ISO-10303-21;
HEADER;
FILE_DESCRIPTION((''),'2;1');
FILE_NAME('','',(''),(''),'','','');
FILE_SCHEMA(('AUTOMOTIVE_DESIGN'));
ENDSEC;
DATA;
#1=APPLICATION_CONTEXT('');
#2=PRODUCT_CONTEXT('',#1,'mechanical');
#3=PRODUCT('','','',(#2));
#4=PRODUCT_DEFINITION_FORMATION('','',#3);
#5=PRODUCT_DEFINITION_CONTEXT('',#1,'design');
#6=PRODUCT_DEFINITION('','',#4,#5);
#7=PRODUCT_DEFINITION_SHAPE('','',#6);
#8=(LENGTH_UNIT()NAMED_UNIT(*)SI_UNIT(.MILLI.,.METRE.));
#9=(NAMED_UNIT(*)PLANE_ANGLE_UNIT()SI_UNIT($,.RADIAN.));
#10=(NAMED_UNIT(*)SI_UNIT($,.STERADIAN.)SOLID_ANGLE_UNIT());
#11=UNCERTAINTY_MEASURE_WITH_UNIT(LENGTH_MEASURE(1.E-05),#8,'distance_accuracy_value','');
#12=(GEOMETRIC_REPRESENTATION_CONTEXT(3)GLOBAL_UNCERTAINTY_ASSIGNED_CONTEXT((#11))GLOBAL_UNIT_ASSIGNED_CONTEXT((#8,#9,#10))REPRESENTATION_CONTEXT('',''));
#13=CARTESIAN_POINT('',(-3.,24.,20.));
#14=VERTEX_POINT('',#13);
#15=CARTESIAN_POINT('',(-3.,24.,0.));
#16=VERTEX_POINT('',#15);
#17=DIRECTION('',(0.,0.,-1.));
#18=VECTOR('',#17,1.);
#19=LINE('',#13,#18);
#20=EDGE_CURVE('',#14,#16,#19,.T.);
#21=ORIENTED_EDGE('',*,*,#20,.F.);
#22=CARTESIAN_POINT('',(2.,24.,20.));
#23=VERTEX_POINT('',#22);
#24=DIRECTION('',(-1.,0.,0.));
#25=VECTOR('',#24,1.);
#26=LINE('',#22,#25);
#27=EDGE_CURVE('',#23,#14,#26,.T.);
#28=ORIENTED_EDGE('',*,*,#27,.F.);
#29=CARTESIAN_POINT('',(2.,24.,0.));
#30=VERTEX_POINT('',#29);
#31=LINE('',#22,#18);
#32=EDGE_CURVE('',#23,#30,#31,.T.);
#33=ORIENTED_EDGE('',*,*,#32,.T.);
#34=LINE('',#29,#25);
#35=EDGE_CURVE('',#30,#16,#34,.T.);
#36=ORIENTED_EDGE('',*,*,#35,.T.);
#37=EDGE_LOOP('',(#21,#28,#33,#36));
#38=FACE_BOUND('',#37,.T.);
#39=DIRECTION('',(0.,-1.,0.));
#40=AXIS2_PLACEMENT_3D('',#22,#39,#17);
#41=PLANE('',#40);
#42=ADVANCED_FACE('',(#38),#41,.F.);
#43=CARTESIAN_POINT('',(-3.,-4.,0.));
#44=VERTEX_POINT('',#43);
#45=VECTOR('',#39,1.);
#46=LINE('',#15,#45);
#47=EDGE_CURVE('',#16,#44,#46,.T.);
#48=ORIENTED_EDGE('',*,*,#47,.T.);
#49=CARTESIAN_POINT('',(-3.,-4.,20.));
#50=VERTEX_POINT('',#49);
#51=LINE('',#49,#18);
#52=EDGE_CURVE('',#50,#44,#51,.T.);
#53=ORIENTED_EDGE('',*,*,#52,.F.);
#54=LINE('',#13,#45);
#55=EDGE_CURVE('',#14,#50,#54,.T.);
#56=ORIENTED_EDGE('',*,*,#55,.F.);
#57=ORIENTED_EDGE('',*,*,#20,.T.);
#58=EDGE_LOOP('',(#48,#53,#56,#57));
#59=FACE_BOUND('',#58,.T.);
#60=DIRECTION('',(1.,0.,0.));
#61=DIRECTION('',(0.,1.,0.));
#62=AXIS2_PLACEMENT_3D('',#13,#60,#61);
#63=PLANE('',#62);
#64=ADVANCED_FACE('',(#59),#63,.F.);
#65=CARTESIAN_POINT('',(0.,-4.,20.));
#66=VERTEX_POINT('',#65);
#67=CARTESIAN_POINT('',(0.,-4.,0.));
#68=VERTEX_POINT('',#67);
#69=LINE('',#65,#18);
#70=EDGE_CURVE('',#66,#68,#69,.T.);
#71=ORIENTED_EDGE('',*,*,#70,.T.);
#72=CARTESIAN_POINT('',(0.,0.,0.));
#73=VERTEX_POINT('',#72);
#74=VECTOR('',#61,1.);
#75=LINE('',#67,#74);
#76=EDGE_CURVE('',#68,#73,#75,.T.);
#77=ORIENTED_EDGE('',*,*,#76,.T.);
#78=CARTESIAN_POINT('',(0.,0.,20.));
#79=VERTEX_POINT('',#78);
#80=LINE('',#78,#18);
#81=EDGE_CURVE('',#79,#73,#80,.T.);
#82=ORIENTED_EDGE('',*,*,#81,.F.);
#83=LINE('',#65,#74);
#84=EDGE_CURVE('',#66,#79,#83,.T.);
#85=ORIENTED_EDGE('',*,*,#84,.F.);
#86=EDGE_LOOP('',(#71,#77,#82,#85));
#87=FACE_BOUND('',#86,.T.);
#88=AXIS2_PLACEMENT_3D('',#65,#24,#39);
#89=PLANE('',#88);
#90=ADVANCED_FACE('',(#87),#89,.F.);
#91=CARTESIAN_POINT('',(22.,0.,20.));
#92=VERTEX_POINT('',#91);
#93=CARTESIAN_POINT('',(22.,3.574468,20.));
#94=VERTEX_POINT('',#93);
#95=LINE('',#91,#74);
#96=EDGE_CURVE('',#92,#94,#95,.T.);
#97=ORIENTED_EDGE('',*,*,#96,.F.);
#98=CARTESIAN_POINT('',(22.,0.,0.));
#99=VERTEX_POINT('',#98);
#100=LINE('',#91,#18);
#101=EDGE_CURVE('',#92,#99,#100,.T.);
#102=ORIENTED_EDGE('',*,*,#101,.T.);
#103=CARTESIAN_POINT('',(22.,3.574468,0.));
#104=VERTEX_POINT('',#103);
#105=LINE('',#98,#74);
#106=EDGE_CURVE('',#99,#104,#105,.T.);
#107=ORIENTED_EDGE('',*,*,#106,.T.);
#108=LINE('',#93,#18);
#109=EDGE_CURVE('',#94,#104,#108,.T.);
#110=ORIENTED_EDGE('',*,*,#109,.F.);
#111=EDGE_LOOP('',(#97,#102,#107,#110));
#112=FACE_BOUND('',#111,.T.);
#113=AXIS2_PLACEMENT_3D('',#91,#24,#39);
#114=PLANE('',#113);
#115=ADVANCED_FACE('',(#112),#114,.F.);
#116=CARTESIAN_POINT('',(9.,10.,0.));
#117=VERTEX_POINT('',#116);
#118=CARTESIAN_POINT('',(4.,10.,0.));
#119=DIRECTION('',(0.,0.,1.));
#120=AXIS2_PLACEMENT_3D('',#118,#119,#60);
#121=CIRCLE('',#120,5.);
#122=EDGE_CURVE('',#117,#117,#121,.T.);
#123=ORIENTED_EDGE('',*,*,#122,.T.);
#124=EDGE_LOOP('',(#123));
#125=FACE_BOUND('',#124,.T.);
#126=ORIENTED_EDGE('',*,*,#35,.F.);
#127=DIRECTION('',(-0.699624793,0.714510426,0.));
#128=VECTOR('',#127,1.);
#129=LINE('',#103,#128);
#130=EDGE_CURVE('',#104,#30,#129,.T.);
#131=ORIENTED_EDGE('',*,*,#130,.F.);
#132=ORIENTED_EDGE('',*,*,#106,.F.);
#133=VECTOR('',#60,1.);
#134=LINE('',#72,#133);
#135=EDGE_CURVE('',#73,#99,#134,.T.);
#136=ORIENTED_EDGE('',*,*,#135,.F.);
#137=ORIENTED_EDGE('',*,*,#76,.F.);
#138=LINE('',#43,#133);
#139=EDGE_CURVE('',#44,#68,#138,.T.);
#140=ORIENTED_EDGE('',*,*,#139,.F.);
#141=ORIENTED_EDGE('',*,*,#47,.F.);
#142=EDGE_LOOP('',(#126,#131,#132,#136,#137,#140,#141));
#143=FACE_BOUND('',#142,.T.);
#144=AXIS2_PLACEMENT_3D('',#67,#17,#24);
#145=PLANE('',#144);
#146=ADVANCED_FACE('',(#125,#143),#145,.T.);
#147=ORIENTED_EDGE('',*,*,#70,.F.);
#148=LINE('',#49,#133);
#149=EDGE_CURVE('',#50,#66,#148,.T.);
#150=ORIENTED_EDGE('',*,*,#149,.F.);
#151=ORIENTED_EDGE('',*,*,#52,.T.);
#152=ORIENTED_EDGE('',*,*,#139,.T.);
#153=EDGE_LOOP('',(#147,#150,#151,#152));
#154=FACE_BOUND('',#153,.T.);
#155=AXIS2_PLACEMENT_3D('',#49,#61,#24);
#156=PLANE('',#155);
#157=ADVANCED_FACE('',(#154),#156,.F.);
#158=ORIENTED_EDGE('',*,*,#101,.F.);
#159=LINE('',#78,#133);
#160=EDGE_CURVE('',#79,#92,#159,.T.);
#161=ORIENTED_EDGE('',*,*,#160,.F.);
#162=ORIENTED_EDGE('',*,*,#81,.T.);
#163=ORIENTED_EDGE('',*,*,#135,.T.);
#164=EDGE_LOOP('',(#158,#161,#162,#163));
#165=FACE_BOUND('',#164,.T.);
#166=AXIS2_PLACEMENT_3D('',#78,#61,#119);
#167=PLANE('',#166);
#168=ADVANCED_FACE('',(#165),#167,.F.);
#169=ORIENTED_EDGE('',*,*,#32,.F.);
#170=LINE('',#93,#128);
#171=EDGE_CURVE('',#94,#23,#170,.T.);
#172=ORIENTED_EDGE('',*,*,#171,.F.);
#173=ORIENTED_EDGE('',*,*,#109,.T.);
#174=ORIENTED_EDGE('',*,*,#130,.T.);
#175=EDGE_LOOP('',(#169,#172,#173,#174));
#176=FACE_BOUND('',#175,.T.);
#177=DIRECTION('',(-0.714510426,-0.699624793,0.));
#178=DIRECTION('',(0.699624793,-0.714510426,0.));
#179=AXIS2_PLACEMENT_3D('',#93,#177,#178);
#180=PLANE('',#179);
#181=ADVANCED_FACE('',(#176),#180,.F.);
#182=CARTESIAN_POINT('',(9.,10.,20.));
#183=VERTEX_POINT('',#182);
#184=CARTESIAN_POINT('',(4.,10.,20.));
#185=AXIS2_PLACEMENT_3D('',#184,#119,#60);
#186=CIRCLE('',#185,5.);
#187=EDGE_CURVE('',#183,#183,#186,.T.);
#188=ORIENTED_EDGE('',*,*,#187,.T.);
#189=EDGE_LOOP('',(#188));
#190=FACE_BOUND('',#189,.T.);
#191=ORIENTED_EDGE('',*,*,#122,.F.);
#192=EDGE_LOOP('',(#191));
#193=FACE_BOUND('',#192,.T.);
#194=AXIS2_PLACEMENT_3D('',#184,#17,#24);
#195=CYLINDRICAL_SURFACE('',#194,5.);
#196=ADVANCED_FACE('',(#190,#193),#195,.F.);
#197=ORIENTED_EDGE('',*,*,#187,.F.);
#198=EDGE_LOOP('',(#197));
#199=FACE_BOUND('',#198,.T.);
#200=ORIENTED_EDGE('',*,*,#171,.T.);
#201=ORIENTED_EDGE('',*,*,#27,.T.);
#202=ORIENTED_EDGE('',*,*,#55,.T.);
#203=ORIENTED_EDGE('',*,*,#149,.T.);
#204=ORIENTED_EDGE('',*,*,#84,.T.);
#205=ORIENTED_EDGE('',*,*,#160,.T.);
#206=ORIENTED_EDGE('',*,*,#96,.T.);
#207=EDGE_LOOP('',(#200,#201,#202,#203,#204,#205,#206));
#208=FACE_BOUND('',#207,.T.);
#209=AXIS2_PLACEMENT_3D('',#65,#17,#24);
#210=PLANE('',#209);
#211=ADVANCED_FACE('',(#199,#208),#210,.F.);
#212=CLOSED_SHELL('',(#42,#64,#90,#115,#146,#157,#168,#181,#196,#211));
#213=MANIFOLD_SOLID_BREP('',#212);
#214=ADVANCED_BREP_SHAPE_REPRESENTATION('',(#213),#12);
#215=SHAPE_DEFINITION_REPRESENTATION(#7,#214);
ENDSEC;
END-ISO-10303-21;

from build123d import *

# Parameters (mm, degrees)
ESQUISSE1_R          = 5
BASE_EXTRUSION_DEPTH = 20


with BuildPart() as part:
    # Esquisse1 → Base-Extrusion (new body)
    with BuildSketch(Plane.XY):
        Polygon((0, 0), (22, 0), (22, 3.574468085), (2, 24), (-3, 24), (-3, -4), (0, -4), align=None)
        with Locations((4, 10)):
            Circle(ESQUISSE1_R, mode=Mode.SUBTRACT)
    extrude(amount=BASE_EXTRUSION_DEPTH)


solid = part.part
